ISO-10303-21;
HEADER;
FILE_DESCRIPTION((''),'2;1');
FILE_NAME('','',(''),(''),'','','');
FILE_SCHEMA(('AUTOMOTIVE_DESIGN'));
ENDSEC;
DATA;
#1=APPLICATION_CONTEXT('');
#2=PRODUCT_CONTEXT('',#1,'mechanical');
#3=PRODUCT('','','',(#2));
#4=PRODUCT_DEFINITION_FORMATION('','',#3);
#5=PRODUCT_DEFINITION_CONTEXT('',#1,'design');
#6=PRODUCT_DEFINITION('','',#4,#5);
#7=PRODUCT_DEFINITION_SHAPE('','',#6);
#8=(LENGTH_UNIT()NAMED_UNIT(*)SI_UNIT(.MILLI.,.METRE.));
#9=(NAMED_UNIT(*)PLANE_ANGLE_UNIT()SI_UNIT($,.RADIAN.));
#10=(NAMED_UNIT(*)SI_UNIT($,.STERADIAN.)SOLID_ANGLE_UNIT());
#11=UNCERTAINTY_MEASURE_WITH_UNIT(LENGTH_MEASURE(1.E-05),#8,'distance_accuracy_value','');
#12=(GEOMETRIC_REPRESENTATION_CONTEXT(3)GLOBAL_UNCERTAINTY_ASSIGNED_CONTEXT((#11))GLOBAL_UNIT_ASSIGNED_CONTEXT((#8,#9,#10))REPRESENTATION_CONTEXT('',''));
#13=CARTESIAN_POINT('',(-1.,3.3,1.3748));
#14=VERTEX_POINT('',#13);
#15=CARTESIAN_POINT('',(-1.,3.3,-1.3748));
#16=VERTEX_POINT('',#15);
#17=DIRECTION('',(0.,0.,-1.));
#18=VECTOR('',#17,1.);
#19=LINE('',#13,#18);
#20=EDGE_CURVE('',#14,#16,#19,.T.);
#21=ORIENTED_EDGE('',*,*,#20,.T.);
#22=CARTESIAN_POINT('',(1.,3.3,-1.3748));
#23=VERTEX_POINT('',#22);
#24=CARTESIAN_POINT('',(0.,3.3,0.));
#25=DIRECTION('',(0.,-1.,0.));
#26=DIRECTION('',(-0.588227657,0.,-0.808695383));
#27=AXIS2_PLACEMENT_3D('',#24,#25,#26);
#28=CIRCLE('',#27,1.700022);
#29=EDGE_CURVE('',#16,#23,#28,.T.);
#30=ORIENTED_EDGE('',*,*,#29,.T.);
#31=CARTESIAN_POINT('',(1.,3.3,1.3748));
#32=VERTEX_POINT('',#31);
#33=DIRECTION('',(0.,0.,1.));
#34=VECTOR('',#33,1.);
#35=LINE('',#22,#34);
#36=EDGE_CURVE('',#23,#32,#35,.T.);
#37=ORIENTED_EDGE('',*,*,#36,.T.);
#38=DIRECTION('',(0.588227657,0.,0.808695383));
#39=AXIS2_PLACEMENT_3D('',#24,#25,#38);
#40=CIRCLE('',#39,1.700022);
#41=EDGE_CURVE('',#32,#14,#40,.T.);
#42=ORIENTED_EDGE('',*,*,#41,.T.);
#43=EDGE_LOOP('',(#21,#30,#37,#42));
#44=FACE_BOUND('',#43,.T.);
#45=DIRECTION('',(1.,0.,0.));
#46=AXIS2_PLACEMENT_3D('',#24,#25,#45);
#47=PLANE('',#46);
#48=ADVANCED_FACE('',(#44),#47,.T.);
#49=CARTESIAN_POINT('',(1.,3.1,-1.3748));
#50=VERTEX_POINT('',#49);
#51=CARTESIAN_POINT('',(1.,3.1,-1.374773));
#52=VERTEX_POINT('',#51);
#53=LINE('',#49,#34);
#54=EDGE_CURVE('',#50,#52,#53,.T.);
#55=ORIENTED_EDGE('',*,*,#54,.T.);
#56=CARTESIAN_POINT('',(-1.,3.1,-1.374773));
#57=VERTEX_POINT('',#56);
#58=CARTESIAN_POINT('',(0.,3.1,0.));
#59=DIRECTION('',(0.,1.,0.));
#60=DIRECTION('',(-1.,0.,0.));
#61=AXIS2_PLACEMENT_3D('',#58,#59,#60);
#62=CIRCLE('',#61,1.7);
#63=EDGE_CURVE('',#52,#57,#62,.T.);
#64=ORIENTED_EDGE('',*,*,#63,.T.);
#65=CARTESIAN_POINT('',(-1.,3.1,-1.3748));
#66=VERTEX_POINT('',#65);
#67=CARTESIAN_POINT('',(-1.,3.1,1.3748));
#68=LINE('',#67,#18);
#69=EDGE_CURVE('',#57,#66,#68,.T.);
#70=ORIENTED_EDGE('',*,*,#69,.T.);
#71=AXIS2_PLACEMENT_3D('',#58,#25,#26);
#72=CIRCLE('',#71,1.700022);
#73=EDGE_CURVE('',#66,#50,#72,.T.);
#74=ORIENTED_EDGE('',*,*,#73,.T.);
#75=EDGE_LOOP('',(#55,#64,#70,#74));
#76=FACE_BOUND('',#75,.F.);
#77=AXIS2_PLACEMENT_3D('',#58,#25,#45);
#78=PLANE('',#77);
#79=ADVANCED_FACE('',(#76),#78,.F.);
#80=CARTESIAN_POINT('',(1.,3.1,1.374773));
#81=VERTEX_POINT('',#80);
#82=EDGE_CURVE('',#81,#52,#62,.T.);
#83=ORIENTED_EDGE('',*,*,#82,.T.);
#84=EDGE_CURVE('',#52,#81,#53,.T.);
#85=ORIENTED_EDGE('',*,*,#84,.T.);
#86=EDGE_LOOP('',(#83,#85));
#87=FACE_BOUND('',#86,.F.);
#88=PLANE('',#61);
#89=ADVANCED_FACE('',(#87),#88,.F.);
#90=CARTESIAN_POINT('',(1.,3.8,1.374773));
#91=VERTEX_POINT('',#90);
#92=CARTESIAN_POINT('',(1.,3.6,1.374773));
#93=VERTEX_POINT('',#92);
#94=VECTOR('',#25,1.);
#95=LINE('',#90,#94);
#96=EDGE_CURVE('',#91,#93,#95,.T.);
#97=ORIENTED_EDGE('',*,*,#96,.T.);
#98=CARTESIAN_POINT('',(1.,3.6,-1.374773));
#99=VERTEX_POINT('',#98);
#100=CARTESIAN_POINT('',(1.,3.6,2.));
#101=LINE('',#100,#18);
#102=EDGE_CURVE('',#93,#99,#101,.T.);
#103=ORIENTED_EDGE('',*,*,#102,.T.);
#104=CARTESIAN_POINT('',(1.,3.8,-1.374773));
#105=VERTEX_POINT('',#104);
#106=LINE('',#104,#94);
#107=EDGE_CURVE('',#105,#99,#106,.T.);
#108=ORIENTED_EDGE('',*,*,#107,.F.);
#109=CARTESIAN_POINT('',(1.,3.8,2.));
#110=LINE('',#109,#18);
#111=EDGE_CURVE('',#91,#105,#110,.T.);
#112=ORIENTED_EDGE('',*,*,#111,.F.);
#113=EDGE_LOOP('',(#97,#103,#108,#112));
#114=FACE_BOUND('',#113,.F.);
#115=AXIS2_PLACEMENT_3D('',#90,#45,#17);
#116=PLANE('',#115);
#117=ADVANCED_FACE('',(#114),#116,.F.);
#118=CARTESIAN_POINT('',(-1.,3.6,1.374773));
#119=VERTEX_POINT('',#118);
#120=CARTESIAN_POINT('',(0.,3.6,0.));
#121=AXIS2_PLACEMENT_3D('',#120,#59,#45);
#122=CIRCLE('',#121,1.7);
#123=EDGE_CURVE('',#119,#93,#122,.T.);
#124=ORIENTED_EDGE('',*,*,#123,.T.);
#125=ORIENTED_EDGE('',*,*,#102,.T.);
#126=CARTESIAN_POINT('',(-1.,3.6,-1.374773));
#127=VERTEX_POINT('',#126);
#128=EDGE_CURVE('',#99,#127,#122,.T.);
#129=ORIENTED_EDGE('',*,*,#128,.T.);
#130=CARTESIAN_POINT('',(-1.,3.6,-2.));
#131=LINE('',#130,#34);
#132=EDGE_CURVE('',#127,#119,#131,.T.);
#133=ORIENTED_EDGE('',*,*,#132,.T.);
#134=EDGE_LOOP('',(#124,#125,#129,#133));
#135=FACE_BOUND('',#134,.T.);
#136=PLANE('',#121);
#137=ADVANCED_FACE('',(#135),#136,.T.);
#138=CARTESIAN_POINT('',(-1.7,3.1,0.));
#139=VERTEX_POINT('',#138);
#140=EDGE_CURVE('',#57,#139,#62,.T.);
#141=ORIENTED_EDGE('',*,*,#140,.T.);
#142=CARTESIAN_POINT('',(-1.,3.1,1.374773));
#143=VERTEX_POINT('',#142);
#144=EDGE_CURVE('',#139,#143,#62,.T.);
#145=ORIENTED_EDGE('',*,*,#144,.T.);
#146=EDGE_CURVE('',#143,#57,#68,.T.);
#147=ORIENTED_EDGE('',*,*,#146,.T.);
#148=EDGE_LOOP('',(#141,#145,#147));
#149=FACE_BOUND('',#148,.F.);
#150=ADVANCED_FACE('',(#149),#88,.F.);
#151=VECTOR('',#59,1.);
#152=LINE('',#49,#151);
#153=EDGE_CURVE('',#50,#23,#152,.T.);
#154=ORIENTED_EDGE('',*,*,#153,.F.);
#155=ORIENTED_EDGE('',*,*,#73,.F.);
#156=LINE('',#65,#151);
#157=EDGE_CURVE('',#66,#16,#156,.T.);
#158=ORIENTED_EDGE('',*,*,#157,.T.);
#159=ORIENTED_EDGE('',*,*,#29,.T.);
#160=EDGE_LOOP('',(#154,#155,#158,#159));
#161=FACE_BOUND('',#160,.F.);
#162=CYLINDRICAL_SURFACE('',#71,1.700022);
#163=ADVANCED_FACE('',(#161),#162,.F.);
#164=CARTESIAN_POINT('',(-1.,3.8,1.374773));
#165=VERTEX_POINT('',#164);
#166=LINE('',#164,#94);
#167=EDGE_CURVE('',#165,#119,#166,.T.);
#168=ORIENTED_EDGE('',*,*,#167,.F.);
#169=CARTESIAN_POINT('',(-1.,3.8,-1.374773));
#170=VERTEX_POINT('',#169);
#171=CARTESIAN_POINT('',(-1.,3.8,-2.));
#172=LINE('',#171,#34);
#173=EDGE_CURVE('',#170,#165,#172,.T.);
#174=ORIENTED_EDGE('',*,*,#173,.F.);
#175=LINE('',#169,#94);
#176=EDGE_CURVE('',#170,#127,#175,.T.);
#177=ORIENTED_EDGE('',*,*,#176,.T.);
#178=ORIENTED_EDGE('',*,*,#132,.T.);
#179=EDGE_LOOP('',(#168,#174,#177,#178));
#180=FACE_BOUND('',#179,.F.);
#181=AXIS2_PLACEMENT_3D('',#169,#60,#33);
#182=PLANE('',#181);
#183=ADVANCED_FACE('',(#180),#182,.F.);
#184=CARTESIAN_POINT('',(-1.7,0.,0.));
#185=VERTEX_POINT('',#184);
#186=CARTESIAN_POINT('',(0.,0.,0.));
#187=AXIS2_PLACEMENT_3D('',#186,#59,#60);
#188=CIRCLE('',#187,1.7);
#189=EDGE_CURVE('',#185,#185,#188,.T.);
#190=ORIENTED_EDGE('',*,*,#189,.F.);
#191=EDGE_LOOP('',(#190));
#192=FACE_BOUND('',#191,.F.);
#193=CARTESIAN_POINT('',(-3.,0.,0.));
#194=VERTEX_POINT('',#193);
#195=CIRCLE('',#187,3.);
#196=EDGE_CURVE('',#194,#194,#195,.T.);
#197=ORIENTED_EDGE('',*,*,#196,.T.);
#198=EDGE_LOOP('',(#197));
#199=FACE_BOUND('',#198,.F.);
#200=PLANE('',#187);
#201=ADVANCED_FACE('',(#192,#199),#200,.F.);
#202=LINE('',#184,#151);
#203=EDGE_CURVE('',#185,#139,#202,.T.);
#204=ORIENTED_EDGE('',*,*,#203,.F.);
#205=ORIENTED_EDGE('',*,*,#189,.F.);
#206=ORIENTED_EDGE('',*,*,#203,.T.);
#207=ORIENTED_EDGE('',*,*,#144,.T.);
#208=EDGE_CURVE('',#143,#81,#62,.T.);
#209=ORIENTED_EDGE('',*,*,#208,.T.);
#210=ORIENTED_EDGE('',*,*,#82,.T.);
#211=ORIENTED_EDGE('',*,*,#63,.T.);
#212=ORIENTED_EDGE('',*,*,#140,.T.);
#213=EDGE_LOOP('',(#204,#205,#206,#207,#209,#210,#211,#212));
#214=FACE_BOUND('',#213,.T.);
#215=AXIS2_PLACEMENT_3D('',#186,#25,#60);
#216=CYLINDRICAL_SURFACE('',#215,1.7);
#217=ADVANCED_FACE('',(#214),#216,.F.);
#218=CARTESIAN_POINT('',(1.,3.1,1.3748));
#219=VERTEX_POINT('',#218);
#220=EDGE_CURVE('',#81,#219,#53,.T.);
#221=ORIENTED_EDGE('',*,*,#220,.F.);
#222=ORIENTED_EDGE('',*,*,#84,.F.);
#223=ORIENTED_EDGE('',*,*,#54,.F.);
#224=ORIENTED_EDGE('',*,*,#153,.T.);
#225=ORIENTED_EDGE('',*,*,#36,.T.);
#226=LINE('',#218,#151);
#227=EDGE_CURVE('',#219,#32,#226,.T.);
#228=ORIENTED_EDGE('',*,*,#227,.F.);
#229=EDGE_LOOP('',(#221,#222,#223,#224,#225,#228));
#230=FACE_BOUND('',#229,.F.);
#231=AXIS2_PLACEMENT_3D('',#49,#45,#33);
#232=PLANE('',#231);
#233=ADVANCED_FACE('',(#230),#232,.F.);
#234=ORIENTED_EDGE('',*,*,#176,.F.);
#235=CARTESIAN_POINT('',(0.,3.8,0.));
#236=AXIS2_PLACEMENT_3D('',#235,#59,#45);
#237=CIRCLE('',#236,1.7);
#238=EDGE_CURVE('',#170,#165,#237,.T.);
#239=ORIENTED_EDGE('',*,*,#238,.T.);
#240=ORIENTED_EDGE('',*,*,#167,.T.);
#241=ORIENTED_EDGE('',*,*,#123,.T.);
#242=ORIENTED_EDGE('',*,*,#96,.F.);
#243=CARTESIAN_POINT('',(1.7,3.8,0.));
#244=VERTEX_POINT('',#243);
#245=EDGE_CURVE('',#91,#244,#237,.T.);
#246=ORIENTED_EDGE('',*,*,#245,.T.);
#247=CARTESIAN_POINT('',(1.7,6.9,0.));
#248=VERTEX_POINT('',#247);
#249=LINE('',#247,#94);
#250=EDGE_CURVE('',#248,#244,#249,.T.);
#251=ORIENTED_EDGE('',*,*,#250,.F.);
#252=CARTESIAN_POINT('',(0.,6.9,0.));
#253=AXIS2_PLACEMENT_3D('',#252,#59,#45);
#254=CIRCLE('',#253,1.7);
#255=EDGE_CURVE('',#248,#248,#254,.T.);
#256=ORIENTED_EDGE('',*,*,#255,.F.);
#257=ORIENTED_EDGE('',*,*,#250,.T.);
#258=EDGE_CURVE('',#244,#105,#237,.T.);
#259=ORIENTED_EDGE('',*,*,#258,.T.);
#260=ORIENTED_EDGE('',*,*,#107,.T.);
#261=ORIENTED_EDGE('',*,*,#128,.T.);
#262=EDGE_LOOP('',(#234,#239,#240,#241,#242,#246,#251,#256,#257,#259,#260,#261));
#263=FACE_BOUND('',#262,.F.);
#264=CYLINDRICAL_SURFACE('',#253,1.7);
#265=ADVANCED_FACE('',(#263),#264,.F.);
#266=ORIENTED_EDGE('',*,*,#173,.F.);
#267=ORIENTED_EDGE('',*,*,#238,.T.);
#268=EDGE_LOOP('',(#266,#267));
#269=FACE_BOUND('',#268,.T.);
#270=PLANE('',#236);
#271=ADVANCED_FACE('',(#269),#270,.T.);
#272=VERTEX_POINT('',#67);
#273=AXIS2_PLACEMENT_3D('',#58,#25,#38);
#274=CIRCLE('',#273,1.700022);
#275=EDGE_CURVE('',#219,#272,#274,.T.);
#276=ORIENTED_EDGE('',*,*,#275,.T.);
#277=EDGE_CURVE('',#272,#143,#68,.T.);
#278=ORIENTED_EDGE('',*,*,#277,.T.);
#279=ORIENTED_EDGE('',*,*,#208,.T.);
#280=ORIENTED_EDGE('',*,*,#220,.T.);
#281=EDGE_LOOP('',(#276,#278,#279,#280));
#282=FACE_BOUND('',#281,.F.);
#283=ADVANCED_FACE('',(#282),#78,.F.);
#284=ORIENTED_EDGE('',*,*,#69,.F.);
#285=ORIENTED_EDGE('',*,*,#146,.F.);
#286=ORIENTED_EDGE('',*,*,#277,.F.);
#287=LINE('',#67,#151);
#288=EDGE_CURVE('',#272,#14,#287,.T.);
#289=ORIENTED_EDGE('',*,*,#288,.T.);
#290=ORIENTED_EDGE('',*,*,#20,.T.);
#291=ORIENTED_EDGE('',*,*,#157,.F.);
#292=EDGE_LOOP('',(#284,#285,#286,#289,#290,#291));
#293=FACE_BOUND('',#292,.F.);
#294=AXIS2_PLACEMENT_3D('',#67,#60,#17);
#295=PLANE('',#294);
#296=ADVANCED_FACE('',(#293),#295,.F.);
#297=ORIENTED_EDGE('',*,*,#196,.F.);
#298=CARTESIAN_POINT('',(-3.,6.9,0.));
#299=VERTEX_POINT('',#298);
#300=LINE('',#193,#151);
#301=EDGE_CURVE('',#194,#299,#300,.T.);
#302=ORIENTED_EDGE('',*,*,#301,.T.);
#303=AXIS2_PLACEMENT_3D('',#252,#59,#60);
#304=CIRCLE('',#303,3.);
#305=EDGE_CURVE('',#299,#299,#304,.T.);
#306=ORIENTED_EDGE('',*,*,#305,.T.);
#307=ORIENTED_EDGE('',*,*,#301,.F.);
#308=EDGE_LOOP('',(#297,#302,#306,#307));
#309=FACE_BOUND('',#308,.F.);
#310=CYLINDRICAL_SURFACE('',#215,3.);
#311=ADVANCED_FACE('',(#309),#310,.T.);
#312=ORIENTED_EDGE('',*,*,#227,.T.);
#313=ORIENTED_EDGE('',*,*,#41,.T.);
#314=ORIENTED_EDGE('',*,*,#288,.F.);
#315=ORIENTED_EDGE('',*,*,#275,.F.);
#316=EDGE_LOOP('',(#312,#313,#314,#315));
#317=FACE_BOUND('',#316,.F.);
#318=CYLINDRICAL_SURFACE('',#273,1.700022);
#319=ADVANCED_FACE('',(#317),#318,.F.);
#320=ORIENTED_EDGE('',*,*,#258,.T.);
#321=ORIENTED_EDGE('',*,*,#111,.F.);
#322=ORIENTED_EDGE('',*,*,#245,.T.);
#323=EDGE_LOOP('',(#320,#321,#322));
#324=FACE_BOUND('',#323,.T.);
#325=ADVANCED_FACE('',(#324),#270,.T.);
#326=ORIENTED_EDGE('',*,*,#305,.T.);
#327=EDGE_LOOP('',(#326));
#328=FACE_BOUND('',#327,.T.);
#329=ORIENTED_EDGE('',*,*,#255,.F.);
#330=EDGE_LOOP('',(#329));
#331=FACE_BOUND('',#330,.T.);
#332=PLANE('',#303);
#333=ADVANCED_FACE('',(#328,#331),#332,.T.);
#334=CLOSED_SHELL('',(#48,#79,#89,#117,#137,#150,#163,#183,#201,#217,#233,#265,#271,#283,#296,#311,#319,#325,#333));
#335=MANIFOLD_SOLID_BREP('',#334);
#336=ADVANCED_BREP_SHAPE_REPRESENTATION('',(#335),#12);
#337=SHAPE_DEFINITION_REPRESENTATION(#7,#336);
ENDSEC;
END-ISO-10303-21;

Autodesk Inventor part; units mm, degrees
ref_plane "YZ Plane" through (0, 0, 0) normal (1, 0, 0) x (0, 1, 0)
ref_plane "XZ Plane" through (0, 0, 0) normal (0, 1, 0) x (-1, 0, 0)
ref_plane "XY Plane" through (0, 0, 0) normal (0, 0, 1) x (1, 0, 0)
sketch "Sketch1" plane through (0, 0, 0) normal (0, 1, 0) x (-1, 0, 0)
  circle A0 centre (0, 0) radius 3
  circle A1 centre (0, 0) radius 1.7
  dimension "d0" = 6
  dimension "d3" = 3.4
extrude "Extrusion1" add sketch "Sketch1" along normal blind 6.9 contours A0 | A1
extrude "Extrusion2" cut sketch "Sketch1" along normal blind 3.1 contours A1
sketch "Sketch2" plane through (0, 6.9, 0) normal (0, 1, 0) x (1, 0, 0)
  circle A0 centre (0, 0) radius 1.7 projected
extrude "Extrusion3" cut sketch "Sketch2" against normal blind 3.1
sketch "Sketch3" plane through (0, 3.8, 0) normal (0, 1, 0) x (1, 0, 0)
  line L0 (1, 2) -> (-1, 2)
  line L1 (-1, 2) -> (-1, -2)
  line L2 (-1, -2) -> (1, -2)
  line L3 (1, -2) -> (1, 2)
  line L4 (1, 2) -> (-1, -2) construction
  line L5 (-1, 2) -> (1, -2) construction
  circle A0 centre (0, 0) radius 1.7 projected
  point P0 (1, -1.3748)
  point P1 (1, 1.3748)
  point P2 (-1, 1.3748)
  point P3 (-1, -1.3748)
  dimension "d8" = 2
extrude "Extrusion4" cut sketch "Sketch3" against normal blind 0.2 contours L3 A0 L1
sketch "Sketch4" plane through (0, 3.1, 0) normal (0, -1, 0) x (1, 0, 0)
  line L0 (1, -1.3748) -> (1, 1.3748) projected
  arc A0 (-1, -1.3748) -> (1, -1.3748) centre (0, 0) ccw projected
  line L1 (-1, 1.3748) -> (-1, -1.3748) projected
  arc A1 (1, 1.3748) -> (-1, 1.3748) centre (0, 0) ccw projected
extrude "Extrusion5" cut sketch "Sketch4" against normal blind 0.2
properties part number "Printed Standoff 6.9mm"
